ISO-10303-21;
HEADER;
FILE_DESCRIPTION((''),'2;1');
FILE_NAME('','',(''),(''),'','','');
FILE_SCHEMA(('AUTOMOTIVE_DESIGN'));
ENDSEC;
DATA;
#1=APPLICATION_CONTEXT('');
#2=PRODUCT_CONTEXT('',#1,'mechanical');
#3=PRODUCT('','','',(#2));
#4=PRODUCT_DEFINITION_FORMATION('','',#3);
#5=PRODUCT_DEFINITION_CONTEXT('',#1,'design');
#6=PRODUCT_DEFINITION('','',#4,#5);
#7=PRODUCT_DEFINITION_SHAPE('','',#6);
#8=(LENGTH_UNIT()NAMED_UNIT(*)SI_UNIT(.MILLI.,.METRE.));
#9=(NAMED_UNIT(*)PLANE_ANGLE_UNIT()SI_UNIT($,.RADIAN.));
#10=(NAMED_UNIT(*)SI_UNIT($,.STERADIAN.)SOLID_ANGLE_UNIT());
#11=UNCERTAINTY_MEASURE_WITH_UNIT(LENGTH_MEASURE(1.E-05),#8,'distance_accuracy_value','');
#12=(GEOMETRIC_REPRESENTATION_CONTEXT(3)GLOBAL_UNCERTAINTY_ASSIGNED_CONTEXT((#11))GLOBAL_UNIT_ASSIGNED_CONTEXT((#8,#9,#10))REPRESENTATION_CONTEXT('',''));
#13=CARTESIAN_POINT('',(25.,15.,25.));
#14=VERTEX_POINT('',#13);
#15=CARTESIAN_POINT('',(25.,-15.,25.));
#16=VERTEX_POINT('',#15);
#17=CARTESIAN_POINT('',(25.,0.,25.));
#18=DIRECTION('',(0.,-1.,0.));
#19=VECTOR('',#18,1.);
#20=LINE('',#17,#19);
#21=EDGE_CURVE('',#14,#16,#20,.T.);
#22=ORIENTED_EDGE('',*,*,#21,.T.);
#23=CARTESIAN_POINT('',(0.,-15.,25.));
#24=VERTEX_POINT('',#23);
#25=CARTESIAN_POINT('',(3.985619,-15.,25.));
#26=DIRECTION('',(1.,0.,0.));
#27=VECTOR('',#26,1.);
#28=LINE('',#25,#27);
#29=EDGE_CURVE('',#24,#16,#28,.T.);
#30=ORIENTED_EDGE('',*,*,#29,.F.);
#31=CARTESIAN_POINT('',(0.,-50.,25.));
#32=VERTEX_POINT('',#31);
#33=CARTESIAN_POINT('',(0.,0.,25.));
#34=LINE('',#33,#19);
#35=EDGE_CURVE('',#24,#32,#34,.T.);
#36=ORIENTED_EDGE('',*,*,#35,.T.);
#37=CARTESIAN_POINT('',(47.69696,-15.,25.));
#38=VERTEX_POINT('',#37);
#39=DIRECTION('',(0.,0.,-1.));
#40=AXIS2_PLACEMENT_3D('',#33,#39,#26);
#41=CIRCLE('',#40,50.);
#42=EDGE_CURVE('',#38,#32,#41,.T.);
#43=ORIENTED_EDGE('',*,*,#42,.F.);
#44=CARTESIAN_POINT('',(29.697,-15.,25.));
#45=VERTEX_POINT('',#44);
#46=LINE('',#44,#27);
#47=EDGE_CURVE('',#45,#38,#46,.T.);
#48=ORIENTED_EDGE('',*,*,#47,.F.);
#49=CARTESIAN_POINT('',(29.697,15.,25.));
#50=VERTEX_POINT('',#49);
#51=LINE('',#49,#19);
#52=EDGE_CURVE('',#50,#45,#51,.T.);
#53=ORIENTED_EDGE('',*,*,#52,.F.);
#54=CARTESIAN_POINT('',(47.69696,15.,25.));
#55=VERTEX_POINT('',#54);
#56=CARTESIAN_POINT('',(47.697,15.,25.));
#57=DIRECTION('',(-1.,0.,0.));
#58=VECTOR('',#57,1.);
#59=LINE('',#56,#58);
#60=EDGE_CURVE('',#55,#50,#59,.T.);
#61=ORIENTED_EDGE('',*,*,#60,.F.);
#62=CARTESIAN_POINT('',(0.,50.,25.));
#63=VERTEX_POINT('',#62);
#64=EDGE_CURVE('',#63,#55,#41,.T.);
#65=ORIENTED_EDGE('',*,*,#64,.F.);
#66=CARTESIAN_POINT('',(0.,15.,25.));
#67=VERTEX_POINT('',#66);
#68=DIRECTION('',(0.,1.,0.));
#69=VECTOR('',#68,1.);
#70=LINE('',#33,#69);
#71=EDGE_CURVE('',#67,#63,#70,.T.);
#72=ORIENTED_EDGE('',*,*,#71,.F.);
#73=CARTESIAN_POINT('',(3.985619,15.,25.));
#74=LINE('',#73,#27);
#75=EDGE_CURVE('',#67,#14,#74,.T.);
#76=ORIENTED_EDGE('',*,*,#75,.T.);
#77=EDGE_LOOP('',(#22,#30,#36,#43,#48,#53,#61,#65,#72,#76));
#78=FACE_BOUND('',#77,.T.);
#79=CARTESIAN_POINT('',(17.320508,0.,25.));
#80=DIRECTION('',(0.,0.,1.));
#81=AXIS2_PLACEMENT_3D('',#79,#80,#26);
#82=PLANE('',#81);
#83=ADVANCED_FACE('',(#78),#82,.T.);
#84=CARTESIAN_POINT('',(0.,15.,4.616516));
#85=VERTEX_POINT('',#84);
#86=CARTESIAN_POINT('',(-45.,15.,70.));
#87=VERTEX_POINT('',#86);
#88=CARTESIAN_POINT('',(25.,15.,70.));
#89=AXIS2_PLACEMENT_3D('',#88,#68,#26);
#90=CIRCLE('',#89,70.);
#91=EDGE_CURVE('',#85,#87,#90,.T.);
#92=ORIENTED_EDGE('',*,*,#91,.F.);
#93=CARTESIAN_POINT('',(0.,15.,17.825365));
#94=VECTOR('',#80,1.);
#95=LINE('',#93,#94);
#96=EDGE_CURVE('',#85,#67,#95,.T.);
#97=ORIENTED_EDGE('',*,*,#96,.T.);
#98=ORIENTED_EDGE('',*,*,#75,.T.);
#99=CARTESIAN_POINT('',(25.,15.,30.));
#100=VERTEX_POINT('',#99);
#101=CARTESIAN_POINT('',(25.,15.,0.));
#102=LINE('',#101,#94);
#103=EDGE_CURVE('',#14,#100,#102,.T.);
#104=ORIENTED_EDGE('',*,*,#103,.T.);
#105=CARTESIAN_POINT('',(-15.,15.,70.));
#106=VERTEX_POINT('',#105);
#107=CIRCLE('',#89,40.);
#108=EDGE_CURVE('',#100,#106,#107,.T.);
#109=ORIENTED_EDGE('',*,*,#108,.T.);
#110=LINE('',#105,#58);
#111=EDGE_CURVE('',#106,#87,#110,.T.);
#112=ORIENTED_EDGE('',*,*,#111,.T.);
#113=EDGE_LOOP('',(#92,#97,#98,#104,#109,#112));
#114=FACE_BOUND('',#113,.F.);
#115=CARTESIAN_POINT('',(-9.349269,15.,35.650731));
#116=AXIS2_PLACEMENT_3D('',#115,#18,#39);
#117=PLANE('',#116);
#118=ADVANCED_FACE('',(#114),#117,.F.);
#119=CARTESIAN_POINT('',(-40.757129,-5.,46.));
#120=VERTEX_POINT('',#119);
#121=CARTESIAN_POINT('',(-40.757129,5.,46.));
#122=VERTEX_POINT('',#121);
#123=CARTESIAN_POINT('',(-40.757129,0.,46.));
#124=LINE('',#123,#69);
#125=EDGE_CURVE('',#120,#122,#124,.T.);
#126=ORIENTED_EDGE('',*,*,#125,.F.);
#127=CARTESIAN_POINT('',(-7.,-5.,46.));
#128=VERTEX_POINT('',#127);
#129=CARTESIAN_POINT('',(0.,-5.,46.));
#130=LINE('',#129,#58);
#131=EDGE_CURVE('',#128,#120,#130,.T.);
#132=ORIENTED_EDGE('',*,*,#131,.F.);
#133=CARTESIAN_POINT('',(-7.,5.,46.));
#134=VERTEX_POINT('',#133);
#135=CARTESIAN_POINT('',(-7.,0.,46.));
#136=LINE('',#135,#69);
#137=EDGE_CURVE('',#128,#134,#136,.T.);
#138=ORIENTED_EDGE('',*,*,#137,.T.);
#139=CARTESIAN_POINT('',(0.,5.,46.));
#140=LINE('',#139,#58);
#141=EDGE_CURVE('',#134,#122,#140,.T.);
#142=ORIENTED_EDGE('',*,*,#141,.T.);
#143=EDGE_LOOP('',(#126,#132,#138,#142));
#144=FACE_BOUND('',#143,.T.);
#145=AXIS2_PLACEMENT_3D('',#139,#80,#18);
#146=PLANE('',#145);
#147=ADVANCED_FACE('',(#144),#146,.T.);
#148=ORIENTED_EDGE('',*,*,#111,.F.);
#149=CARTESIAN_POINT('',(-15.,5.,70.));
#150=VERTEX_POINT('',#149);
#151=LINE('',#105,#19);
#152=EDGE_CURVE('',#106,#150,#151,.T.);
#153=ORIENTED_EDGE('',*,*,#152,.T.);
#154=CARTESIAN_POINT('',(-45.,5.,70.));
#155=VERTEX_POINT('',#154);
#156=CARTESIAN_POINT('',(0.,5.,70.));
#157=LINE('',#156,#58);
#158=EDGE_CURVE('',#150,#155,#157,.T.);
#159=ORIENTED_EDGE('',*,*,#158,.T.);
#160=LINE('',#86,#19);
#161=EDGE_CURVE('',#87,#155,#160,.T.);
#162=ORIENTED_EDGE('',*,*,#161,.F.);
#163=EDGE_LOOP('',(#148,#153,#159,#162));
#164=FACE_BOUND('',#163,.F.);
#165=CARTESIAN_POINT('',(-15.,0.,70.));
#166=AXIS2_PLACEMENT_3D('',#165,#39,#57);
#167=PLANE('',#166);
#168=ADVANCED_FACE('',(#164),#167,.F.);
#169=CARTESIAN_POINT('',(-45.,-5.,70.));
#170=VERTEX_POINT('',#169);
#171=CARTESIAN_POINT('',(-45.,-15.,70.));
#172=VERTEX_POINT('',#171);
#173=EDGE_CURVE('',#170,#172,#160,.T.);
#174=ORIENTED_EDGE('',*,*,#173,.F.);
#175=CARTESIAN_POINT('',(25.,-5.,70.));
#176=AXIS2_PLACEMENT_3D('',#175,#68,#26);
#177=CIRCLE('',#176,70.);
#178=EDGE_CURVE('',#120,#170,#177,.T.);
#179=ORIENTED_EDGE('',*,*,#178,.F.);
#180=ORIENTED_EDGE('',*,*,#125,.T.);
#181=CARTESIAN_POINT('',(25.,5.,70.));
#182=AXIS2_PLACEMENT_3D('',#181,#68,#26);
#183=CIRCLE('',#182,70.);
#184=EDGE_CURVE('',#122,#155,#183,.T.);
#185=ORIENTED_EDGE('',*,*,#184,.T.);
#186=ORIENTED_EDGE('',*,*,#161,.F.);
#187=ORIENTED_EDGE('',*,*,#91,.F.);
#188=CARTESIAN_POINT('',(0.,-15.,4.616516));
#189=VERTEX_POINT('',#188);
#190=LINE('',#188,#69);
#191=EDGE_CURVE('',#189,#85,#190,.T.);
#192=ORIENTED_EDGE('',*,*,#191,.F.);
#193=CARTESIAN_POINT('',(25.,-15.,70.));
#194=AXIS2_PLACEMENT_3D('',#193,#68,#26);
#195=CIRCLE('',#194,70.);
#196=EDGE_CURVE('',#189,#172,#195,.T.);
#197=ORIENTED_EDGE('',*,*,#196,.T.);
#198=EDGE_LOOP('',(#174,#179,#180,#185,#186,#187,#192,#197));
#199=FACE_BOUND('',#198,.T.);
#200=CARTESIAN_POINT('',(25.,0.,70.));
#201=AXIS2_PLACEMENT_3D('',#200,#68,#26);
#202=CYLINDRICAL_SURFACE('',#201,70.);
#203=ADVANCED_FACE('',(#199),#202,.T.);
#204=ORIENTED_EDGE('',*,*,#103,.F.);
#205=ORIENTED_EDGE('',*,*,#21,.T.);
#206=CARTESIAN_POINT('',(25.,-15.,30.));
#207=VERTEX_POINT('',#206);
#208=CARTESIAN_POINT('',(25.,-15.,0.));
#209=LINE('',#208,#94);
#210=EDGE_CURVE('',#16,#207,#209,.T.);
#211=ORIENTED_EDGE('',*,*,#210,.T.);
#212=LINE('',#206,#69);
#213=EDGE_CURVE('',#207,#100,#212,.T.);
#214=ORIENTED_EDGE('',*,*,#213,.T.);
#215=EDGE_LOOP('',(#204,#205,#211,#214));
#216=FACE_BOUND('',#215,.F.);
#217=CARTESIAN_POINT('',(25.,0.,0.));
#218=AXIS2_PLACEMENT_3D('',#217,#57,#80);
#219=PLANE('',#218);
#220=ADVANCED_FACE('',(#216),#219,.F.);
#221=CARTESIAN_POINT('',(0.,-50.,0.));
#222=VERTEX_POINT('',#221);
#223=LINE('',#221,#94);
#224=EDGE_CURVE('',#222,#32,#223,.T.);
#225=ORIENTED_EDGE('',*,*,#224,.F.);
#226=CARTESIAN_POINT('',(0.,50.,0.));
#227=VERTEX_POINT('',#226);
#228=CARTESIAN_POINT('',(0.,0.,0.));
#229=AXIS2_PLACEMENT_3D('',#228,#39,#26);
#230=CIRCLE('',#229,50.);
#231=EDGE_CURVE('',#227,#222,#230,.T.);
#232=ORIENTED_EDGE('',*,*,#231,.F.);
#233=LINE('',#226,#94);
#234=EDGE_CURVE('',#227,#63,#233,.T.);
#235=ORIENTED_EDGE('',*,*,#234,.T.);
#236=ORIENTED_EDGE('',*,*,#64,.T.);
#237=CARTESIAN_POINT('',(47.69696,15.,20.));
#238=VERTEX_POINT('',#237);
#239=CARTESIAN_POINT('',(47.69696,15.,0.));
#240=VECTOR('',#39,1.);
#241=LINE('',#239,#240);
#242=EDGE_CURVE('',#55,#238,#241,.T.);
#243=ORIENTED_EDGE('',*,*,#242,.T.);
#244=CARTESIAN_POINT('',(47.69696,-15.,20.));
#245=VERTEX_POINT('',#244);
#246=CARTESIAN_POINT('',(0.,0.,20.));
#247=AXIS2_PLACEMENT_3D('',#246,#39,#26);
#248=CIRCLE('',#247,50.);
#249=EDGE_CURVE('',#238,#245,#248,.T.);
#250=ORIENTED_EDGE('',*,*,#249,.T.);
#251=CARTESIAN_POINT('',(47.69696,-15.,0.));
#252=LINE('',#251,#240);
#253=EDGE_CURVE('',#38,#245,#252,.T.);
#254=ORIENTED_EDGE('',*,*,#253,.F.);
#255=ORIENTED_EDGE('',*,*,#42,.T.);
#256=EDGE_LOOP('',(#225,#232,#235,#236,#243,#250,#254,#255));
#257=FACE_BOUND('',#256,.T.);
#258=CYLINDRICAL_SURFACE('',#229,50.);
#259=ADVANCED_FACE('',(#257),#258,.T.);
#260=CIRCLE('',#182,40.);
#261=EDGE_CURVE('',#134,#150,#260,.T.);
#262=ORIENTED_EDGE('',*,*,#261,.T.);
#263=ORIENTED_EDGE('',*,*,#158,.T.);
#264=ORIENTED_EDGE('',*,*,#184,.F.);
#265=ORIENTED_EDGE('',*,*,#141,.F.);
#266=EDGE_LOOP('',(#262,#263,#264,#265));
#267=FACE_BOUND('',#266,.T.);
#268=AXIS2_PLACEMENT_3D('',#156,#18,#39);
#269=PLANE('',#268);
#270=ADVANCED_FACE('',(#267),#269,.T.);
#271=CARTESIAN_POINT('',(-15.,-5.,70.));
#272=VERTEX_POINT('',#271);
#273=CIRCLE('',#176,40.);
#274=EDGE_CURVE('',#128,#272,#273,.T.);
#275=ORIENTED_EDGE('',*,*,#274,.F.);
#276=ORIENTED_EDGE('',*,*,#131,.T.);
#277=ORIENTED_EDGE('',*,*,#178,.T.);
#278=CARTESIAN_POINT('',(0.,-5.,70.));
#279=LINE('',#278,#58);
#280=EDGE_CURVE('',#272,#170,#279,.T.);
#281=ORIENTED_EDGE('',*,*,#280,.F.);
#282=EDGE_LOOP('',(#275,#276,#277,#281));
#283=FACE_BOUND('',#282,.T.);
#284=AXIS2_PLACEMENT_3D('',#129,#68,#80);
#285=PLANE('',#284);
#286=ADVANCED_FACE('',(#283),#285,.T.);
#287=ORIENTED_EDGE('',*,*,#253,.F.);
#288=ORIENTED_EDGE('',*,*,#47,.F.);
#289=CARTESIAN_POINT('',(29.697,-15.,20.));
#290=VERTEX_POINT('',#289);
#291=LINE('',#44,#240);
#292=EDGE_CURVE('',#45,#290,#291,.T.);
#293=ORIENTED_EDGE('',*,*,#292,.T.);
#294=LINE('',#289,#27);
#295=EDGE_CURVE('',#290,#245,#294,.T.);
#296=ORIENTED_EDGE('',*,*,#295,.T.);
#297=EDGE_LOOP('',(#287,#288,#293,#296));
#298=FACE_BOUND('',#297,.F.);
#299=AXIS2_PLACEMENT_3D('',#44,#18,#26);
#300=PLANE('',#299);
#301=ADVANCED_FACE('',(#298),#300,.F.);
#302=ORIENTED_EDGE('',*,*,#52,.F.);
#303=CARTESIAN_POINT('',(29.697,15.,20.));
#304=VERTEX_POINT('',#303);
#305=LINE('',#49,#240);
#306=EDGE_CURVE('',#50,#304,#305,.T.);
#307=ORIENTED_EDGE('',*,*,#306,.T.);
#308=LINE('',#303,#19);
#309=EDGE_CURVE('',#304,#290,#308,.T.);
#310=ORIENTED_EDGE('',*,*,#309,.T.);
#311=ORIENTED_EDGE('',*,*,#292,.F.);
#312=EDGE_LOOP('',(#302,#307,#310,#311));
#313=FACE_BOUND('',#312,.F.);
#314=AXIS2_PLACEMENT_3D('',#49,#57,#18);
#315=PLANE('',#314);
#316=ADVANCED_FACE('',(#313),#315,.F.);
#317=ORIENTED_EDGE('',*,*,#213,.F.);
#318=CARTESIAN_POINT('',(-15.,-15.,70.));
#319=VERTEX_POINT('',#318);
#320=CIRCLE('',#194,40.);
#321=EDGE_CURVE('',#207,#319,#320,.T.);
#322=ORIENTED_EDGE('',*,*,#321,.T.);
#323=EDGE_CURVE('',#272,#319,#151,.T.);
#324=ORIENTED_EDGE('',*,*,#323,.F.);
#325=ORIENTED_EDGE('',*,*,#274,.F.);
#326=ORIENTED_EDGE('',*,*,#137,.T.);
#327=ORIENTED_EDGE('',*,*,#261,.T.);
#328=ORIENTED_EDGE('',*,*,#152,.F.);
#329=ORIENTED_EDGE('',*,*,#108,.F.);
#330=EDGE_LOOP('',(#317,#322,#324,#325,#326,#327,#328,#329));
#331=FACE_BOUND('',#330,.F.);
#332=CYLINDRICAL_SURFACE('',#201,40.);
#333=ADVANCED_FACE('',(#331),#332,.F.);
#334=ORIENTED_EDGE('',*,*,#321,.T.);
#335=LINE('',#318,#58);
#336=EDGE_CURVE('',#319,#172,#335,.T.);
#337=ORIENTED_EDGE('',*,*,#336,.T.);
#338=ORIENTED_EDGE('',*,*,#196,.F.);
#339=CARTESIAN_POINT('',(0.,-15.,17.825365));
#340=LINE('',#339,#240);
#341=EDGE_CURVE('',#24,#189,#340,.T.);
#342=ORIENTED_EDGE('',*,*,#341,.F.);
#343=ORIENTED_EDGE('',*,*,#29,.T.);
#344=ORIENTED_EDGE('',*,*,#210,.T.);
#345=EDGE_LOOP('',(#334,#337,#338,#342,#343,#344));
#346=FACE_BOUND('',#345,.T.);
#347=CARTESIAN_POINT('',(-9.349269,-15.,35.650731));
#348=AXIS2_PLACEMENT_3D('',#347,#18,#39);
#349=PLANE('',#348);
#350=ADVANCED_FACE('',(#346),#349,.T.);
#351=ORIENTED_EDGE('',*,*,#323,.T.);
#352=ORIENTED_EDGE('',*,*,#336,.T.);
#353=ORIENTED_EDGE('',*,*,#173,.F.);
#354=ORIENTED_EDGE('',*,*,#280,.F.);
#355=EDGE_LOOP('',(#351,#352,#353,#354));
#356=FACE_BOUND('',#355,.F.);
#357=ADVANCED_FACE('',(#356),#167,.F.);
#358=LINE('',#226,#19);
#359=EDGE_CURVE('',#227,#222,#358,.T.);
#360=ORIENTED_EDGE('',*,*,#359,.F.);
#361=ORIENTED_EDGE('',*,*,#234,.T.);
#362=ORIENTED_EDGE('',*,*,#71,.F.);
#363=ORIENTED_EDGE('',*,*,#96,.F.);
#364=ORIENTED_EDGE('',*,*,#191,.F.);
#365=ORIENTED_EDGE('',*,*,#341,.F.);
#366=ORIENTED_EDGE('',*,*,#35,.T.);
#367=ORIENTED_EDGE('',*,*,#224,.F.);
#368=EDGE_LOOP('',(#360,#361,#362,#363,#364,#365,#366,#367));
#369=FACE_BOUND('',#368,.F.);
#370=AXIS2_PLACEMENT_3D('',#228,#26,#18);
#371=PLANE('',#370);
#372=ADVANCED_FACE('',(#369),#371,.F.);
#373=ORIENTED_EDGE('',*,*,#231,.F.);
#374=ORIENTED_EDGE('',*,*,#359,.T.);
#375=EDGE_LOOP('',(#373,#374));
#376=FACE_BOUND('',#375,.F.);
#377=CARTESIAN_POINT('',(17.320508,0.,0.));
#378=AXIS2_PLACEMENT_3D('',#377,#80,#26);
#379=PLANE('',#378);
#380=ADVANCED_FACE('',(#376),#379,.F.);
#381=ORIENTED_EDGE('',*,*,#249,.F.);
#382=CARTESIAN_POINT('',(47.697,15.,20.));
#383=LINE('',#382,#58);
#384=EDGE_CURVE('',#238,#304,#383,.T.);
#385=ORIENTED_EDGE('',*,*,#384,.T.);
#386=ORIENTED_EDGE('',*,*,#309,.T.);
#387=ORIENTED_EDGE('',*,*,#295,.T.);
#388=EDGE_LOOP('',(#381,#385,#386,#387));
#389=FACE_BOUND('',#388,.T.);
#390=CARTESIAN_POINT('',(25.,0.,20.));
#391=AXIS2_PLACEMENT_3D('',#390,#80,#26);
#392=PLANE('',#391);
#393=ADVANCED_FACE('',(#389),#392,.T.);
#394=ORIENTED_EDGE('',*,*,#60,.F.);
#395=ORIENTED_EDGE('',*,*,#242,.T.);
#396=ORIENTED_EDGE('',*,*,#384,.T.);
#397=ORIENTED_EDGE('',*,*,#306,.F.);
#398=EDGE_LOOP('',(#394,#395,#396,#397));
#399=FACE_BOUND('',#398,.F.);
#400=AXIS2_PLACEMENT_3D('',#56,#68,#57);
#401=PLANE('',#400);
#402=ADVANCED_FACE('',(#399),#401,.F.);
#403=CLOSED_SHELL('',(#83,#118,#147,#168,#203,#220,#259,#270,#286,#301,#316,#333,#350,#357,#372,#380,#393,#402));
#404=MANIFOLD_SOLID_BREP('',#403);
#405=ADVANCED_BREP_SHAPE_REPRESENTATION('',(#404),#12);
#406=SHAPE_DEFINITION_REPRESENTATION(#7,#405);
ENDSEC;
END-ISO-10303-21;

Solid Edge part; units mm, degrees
sketch "Sketch1" plane through (0, 0, 0) normal (0, 0, 1) x (1, 0, 0)
  line L0 (0, 0) -> (0, -50)
  line L1 (0, 0) -> (0, 50)
  arc A0 (0, 50) -> (0, -50) centre (0, 0) cw
extrude "Protrusion1" add sketch "Sketch1" along normal blind 25
extrude "Protrusion2" [suppressed]
sketch "Sketch2" plane through (0, 0, 0) normal (0, -1, 0) x (1, 0, 0)
  arc A0 (25, 30) -> (-15, 70) centre (25, 70) cw
  line L0 (-15, 70) -> (-45, 70)
  arc A1 (25, 0) -> (-45, 70) centre (25, 70) cw
  line L1 (25, 0) -> (25, 30)
extrude "ExtrudedProtrusion_4" add sketch "Sketch2" along normal mid plane 30
sketch "Sketch3" plane through (25, 0, 25) normal (0, 0, 1) x (1, 0, 0)
  line L0 (22.697, 15) -> (4.697, 15)
  line L1 (4.697, 15) -> (4.697, -15)
  line L2 (4.697, -15) -> (22.697, -15)
extrude "ExtrudedCutout_1" cut sketch "Sketch3" against normal blind 5 material side at (38.697, 14.95, 25)
sketch "Sketch4" plane through (0, 0, 12.5) normal (-1, 0, 0) x (0, -1, 0)
  line L0 (5, 33.5) -> (5, 57.5)
  line L1 (-5, 33.5) -> (5, 33.5)
  line L2 (-5, 57.5) -> (-5, 33.5)
extrude "ExtrudedCutout_2" cut sketch "Sketch4" along normal blind 66.0062 material side at (0, -4.95, 58)
